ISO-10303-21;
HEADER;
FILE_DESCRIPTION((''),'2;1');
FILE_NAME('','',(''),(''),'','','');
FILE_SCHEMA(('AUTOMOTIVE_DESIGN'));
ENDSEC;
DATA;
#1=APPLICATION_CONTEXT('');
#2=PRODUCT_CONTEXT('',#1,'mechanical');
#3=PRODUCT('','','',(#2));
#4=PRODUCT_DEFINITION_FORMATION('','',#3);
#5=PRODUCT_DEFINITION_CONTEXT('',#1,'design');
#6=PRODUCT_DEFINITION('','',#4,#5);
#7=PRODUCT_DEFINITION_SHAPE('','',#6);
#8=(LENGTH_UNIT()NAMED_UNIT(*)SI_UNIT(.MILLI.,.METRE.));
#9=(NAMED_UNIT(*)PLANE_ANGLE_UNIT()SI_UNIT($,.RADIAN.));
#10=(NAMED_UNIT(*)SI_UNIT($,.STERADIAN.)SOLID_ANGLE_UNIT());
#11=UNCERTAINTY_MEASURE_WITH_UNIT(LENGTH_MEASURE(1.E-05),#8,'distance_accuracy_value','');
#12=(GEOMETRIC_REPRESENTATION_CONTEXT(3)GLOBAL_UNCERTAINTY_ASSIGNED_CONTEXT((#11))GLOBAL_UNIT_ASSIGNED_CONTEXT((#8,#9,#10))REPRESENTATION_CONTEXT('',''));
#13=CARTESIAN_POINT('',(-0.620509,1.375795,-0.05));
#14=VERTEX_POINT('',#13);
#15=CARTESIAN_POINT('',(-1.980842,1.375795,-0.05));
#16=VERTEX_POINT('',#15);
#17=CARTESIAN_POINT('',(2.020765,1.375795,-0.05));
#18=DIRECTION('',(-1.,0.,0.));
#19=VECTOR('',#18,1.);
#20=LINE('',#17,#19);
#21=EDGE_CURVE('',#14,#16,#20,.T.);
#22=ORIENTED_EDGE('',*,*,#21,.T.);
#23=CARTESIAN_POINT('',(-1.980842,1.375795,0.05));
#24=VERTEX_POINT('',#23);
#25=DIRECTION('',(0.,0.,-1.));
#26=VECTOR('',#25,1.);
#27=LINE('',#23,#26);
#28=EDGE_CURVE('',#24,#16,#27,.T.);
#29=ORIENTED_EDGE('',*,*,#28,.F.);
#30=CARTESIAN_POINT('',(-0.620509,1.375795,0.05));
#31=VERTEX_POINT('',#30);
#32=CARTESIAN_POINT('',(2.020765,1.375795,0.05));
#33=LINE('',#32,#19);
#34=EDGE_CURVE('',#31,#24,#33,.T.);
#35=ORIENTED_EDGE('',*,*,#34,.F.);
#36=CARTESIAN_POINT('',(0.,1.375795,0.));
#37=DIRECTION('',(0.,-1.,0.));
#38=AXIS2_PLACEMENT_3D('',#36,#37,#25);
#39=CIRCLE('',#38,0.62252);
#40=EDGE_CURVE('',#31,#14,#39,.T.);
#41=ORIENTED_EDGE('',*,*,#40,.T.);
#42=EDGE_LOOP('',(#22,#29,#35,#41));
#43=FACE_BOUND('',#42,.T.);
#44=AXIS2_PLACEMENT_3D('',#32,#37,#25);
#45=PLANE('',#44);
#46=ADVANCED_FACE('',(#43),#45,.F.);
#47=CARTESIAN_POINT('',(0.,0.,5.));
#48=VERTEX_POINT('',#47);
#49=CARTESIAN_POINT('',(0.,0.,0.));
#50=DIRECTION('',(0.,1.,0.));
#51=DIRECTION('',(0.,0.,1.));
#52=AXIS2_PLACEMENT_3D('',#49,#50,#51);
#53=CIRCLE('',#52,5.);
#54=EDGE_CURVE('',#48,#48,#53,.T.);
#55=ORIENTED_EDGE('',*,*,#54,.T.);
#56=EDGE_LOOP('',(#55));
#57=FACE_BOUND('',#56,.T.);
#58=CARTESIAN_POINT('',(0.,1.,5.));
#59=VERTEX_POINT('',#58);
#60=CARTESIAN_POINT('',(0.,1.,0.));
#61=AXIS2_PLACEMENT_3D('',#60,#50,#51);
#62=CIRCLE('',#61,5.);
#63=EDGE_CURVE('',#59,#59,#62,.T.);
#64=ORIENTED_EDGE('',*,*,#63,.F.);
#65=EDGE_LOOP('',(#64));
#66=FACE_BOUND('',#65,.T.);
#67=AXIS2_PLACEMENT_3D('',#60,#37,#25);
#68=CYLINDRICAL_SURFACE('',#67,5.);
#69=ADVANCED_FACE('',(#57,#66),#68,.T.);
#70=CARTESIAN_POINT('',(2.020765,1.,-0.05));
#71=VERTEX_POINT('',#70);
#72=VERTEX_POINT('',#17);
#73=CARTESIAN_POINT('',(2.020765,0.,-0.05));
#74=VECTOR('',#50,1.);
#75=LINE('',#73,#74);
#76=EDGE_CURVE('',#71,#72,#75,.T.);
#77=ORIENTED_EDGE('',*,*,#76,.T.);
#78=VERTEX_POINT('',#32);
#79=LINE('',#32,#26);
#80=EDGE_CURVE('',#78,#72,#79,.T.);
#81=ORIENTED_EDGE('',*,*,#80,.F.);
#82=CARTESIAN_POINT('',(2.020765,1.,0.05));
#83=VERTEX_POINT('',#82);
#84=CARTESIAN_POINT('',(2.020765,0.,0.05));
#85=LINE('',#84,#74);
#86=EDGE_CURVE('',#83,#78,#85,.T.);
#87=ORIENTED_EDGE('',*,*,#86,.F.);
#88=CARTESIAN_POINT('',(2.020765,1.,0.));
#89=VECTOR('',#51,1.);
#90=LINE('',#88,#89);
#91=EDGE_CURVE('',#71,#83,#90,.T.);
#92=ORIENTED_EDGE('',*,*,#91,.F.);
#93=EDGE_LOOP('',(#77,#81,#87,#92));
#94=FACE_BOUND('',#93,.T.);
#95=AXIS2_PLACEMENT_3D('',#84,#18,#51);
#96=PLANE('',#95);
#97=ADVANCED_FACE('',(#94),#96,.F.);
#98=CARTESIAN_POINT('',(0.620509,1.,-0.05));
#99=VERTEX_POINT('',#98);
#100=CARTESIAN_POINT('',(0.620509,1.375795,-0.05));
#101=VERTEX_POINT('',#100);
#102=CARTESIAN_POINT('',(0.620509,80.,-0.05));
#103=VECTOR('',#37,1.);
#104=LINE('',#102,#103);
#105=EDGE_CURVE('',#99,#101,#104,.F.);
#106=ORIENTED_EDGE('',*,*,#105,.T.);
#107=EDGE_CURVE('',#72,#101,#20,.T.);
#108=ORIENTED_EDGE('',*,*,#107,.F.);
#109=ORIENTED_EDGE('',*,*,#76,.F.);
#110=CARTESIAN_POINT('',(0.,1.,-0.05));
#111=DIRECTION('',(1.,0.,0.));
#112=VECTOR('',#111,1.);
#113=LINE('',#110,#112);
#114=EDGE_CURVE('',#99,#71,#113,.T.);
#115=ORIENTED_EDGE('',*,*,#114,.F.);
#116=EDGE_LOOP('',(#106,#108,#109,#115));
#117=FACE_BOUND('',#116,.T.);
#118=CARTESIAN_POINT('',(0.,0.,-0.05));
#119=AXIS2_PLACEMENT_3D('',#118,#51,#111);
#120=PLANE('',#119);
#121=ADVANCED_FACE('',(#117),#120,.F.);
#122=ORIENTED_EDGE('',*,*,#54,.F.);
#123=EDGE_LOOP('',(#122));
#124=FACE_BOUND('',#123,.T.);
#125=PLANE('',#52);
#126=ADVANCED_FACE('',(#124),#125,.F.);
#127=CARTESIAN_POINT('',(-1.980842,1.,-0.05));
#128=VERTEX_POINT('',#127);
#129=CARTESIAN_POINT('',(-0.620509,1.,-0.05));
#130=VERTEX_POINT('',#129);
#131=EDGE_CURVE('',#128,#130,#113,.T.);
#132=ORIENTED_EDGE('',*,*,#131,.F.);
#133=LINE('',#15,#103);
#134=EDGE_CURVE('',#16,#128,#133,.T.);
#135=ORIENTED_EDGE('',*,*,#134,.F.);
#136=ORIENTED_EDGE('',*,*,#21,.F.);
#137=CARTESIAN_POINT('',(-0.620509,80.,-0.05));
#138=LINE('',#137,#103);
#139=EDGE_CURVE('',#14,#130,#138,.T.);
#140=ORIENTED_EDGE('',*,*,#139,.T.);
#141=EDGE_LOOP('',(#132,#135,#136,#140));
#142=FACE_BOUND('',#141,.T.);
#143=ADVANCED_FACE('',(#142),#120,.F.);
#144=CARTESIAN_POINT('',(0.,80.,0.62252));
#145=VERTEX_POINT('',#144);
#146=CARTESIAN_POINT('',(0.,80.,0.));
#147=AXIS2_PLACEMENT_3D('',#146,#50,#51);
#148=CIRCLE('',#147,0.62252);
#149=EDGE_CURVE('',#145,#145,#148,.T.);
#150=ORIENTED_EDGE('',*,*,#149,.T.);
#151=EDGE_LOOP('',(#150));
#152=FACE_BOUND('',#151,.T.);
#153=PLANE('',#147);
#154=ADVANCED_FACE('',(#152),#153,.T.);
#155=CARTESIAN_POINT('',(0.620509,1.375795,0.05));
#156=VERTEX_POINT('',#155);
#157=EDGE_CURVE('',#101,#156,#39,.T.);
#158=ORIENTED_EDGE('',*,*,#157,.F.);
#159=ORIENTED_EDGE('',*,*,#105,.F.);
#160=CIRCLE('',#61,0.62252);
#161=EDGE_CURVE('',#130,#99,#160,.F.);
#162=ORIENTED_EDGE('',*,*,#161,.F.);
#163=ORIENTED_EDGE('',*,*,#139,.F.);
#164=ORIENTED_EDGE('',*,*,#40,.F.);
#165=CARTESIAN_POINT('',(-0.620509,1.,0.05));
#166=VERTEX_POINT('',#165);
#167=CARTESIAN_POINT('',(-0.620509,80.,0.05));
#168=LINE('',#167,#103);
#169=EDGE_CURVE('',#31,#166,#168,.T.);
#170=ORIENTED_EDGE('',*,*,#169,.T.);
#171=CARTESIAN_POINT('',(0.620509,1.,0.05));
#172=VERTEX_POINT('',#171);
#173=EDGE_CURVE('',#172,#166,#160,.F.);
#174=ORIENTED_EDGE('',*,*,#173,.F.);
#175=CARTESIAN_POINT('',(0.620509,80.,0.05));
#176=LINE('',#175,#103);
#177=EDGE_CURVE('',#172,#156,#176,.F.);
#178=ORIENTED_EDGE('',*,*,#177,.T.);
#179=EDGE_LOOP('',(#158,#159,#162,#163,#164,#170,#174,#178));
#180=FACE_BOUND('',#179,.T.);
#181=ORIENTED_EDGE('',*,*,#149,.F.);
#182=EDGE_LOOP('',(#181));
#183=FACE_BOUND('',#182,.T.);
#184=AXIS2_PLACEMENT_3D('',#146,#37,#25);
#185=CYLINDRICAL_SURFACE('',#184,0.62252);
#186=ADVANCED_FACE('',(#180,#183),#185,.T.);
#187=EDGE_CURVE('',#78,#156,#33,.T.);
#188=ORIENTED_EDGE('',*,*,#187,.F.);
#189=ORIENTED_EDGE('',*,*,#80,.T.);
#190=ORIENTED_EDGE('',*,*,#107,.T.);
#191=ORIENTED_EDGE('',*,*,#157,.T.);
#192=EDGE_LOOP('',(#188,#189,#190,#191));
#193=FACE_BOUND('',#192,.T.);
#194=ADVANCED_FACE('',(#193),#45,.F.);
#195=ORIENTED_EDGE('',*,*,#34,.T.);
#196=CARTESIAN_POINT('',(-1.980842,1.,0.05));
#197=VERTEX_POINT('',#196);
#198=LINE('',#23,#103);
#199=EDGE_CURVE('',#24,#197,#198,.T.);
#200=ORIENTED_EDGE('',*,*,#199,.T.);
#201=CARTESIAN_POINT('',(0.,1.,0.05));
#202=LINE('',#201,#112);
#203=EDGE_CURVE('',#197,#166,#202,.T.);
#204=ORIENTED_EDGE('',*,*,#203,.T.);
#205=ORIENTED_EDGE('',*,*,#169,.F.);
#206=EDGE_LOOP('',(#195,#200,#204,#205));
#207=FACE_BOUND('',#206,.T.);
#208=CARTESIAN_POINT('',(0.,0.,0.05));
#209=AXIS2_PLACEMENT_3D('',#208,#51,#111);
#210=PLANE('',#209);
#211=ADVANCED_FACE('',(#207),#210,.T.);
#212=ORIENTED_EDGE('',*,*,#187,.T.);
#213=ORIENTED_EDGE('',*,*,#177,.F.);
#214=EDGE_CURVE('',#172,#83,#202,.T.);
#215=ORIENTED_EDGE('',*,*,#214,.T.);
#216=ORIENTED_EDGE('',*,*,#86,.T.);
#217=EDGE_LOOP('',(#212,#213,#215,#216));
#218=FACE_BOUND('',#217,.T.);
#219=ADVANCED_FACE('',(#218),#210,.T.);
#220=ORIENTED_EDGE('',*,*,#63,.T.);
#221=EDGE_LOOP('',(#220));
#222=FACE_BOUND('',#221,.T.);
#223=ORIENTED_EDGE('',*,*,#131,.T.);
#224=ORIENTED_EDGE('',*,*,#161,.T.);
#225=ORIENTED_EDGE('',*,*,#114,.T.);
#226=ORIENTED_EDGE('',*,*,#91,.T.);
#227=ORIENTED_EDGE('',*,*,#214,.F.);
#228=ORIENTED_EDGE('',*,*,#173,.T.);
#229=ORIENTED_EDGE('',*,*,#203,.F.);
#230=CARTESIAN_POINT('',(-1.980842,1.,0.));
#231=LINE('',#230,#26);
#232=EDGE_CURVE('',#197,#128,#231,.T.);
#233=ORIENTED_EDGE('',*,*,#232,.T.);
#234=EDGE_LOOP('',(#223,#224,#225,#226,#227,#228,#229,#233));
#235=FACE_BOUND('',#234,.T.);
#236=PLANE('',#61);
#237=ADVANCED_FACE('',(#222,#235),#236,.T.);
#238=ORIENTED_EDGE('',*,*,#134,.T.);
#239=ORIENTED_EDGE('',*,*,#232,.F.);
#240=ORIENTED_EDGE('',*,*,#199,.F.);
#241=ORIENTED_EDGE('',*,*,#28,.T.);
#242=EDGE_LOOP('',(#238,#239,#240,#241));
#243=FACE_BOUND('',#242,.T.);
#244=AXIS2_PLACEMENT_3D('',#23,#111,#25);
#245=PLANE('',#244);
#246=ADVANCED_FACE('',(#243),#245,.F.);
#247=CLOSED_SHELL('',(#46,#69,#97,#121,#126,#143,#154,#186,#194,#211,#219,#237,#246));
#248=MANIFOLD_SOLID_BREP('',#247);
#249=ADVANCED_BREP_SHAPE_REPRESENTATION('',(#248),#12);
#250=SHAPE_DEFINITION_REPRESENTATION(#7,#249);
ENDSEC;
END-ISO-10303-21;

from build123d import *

# Parameters (mm, degrees)
SKETCH_1_R      = 5
EXTRUDE_1_DEPTH = 1
SKETCH_2_R      = 0.622519756
EXTRUDE_2_DEPTH = 80
SKETCH_3_W      = 4.001607156
SKETCH_3_H      = 1.375795034
EXTRUDE_3_DEPTH = 0.05


with BuildPart() as part:
    # 草图1 → 凸台-拉伸1 (new body)
    with BuildSketch(Plane(origin=(0, 0, 0), x_dir=(1, 0, 0), z_dir=(0, 1, 0))):
        with Locations(Location((0, 0, 0), (0, 0, 270))):
            Circle(SKETCH_1_R)
    extrude(amount=EXTRUDE_1_DEPTH)

    # 草图2 → 凸台-拉伸2 (add)
    with BuildSketch(Plane(origin=(0, 0, 0), x_dir=(1, 0, 0), z_dir=(0, 1, 0))):
        with Locations(Location((0, 0, 0), (0, 0, 270))):
            Circle(SKETCH_2_R)
    extrude(amount=EXTRUDE_2_DEPTH)

    # 草图3 → 凸台-拉伸3 (add, symmetric)
    with BuildSketch(Plane.XY):
        with Locations((0.019961676, 0.687897517)):
            Rectangle(SKETCH_3_W, SKETCH_3_H)
    extrude(amount=EXTRUDE_3_DEPTH, both=True)


solid = part.part
